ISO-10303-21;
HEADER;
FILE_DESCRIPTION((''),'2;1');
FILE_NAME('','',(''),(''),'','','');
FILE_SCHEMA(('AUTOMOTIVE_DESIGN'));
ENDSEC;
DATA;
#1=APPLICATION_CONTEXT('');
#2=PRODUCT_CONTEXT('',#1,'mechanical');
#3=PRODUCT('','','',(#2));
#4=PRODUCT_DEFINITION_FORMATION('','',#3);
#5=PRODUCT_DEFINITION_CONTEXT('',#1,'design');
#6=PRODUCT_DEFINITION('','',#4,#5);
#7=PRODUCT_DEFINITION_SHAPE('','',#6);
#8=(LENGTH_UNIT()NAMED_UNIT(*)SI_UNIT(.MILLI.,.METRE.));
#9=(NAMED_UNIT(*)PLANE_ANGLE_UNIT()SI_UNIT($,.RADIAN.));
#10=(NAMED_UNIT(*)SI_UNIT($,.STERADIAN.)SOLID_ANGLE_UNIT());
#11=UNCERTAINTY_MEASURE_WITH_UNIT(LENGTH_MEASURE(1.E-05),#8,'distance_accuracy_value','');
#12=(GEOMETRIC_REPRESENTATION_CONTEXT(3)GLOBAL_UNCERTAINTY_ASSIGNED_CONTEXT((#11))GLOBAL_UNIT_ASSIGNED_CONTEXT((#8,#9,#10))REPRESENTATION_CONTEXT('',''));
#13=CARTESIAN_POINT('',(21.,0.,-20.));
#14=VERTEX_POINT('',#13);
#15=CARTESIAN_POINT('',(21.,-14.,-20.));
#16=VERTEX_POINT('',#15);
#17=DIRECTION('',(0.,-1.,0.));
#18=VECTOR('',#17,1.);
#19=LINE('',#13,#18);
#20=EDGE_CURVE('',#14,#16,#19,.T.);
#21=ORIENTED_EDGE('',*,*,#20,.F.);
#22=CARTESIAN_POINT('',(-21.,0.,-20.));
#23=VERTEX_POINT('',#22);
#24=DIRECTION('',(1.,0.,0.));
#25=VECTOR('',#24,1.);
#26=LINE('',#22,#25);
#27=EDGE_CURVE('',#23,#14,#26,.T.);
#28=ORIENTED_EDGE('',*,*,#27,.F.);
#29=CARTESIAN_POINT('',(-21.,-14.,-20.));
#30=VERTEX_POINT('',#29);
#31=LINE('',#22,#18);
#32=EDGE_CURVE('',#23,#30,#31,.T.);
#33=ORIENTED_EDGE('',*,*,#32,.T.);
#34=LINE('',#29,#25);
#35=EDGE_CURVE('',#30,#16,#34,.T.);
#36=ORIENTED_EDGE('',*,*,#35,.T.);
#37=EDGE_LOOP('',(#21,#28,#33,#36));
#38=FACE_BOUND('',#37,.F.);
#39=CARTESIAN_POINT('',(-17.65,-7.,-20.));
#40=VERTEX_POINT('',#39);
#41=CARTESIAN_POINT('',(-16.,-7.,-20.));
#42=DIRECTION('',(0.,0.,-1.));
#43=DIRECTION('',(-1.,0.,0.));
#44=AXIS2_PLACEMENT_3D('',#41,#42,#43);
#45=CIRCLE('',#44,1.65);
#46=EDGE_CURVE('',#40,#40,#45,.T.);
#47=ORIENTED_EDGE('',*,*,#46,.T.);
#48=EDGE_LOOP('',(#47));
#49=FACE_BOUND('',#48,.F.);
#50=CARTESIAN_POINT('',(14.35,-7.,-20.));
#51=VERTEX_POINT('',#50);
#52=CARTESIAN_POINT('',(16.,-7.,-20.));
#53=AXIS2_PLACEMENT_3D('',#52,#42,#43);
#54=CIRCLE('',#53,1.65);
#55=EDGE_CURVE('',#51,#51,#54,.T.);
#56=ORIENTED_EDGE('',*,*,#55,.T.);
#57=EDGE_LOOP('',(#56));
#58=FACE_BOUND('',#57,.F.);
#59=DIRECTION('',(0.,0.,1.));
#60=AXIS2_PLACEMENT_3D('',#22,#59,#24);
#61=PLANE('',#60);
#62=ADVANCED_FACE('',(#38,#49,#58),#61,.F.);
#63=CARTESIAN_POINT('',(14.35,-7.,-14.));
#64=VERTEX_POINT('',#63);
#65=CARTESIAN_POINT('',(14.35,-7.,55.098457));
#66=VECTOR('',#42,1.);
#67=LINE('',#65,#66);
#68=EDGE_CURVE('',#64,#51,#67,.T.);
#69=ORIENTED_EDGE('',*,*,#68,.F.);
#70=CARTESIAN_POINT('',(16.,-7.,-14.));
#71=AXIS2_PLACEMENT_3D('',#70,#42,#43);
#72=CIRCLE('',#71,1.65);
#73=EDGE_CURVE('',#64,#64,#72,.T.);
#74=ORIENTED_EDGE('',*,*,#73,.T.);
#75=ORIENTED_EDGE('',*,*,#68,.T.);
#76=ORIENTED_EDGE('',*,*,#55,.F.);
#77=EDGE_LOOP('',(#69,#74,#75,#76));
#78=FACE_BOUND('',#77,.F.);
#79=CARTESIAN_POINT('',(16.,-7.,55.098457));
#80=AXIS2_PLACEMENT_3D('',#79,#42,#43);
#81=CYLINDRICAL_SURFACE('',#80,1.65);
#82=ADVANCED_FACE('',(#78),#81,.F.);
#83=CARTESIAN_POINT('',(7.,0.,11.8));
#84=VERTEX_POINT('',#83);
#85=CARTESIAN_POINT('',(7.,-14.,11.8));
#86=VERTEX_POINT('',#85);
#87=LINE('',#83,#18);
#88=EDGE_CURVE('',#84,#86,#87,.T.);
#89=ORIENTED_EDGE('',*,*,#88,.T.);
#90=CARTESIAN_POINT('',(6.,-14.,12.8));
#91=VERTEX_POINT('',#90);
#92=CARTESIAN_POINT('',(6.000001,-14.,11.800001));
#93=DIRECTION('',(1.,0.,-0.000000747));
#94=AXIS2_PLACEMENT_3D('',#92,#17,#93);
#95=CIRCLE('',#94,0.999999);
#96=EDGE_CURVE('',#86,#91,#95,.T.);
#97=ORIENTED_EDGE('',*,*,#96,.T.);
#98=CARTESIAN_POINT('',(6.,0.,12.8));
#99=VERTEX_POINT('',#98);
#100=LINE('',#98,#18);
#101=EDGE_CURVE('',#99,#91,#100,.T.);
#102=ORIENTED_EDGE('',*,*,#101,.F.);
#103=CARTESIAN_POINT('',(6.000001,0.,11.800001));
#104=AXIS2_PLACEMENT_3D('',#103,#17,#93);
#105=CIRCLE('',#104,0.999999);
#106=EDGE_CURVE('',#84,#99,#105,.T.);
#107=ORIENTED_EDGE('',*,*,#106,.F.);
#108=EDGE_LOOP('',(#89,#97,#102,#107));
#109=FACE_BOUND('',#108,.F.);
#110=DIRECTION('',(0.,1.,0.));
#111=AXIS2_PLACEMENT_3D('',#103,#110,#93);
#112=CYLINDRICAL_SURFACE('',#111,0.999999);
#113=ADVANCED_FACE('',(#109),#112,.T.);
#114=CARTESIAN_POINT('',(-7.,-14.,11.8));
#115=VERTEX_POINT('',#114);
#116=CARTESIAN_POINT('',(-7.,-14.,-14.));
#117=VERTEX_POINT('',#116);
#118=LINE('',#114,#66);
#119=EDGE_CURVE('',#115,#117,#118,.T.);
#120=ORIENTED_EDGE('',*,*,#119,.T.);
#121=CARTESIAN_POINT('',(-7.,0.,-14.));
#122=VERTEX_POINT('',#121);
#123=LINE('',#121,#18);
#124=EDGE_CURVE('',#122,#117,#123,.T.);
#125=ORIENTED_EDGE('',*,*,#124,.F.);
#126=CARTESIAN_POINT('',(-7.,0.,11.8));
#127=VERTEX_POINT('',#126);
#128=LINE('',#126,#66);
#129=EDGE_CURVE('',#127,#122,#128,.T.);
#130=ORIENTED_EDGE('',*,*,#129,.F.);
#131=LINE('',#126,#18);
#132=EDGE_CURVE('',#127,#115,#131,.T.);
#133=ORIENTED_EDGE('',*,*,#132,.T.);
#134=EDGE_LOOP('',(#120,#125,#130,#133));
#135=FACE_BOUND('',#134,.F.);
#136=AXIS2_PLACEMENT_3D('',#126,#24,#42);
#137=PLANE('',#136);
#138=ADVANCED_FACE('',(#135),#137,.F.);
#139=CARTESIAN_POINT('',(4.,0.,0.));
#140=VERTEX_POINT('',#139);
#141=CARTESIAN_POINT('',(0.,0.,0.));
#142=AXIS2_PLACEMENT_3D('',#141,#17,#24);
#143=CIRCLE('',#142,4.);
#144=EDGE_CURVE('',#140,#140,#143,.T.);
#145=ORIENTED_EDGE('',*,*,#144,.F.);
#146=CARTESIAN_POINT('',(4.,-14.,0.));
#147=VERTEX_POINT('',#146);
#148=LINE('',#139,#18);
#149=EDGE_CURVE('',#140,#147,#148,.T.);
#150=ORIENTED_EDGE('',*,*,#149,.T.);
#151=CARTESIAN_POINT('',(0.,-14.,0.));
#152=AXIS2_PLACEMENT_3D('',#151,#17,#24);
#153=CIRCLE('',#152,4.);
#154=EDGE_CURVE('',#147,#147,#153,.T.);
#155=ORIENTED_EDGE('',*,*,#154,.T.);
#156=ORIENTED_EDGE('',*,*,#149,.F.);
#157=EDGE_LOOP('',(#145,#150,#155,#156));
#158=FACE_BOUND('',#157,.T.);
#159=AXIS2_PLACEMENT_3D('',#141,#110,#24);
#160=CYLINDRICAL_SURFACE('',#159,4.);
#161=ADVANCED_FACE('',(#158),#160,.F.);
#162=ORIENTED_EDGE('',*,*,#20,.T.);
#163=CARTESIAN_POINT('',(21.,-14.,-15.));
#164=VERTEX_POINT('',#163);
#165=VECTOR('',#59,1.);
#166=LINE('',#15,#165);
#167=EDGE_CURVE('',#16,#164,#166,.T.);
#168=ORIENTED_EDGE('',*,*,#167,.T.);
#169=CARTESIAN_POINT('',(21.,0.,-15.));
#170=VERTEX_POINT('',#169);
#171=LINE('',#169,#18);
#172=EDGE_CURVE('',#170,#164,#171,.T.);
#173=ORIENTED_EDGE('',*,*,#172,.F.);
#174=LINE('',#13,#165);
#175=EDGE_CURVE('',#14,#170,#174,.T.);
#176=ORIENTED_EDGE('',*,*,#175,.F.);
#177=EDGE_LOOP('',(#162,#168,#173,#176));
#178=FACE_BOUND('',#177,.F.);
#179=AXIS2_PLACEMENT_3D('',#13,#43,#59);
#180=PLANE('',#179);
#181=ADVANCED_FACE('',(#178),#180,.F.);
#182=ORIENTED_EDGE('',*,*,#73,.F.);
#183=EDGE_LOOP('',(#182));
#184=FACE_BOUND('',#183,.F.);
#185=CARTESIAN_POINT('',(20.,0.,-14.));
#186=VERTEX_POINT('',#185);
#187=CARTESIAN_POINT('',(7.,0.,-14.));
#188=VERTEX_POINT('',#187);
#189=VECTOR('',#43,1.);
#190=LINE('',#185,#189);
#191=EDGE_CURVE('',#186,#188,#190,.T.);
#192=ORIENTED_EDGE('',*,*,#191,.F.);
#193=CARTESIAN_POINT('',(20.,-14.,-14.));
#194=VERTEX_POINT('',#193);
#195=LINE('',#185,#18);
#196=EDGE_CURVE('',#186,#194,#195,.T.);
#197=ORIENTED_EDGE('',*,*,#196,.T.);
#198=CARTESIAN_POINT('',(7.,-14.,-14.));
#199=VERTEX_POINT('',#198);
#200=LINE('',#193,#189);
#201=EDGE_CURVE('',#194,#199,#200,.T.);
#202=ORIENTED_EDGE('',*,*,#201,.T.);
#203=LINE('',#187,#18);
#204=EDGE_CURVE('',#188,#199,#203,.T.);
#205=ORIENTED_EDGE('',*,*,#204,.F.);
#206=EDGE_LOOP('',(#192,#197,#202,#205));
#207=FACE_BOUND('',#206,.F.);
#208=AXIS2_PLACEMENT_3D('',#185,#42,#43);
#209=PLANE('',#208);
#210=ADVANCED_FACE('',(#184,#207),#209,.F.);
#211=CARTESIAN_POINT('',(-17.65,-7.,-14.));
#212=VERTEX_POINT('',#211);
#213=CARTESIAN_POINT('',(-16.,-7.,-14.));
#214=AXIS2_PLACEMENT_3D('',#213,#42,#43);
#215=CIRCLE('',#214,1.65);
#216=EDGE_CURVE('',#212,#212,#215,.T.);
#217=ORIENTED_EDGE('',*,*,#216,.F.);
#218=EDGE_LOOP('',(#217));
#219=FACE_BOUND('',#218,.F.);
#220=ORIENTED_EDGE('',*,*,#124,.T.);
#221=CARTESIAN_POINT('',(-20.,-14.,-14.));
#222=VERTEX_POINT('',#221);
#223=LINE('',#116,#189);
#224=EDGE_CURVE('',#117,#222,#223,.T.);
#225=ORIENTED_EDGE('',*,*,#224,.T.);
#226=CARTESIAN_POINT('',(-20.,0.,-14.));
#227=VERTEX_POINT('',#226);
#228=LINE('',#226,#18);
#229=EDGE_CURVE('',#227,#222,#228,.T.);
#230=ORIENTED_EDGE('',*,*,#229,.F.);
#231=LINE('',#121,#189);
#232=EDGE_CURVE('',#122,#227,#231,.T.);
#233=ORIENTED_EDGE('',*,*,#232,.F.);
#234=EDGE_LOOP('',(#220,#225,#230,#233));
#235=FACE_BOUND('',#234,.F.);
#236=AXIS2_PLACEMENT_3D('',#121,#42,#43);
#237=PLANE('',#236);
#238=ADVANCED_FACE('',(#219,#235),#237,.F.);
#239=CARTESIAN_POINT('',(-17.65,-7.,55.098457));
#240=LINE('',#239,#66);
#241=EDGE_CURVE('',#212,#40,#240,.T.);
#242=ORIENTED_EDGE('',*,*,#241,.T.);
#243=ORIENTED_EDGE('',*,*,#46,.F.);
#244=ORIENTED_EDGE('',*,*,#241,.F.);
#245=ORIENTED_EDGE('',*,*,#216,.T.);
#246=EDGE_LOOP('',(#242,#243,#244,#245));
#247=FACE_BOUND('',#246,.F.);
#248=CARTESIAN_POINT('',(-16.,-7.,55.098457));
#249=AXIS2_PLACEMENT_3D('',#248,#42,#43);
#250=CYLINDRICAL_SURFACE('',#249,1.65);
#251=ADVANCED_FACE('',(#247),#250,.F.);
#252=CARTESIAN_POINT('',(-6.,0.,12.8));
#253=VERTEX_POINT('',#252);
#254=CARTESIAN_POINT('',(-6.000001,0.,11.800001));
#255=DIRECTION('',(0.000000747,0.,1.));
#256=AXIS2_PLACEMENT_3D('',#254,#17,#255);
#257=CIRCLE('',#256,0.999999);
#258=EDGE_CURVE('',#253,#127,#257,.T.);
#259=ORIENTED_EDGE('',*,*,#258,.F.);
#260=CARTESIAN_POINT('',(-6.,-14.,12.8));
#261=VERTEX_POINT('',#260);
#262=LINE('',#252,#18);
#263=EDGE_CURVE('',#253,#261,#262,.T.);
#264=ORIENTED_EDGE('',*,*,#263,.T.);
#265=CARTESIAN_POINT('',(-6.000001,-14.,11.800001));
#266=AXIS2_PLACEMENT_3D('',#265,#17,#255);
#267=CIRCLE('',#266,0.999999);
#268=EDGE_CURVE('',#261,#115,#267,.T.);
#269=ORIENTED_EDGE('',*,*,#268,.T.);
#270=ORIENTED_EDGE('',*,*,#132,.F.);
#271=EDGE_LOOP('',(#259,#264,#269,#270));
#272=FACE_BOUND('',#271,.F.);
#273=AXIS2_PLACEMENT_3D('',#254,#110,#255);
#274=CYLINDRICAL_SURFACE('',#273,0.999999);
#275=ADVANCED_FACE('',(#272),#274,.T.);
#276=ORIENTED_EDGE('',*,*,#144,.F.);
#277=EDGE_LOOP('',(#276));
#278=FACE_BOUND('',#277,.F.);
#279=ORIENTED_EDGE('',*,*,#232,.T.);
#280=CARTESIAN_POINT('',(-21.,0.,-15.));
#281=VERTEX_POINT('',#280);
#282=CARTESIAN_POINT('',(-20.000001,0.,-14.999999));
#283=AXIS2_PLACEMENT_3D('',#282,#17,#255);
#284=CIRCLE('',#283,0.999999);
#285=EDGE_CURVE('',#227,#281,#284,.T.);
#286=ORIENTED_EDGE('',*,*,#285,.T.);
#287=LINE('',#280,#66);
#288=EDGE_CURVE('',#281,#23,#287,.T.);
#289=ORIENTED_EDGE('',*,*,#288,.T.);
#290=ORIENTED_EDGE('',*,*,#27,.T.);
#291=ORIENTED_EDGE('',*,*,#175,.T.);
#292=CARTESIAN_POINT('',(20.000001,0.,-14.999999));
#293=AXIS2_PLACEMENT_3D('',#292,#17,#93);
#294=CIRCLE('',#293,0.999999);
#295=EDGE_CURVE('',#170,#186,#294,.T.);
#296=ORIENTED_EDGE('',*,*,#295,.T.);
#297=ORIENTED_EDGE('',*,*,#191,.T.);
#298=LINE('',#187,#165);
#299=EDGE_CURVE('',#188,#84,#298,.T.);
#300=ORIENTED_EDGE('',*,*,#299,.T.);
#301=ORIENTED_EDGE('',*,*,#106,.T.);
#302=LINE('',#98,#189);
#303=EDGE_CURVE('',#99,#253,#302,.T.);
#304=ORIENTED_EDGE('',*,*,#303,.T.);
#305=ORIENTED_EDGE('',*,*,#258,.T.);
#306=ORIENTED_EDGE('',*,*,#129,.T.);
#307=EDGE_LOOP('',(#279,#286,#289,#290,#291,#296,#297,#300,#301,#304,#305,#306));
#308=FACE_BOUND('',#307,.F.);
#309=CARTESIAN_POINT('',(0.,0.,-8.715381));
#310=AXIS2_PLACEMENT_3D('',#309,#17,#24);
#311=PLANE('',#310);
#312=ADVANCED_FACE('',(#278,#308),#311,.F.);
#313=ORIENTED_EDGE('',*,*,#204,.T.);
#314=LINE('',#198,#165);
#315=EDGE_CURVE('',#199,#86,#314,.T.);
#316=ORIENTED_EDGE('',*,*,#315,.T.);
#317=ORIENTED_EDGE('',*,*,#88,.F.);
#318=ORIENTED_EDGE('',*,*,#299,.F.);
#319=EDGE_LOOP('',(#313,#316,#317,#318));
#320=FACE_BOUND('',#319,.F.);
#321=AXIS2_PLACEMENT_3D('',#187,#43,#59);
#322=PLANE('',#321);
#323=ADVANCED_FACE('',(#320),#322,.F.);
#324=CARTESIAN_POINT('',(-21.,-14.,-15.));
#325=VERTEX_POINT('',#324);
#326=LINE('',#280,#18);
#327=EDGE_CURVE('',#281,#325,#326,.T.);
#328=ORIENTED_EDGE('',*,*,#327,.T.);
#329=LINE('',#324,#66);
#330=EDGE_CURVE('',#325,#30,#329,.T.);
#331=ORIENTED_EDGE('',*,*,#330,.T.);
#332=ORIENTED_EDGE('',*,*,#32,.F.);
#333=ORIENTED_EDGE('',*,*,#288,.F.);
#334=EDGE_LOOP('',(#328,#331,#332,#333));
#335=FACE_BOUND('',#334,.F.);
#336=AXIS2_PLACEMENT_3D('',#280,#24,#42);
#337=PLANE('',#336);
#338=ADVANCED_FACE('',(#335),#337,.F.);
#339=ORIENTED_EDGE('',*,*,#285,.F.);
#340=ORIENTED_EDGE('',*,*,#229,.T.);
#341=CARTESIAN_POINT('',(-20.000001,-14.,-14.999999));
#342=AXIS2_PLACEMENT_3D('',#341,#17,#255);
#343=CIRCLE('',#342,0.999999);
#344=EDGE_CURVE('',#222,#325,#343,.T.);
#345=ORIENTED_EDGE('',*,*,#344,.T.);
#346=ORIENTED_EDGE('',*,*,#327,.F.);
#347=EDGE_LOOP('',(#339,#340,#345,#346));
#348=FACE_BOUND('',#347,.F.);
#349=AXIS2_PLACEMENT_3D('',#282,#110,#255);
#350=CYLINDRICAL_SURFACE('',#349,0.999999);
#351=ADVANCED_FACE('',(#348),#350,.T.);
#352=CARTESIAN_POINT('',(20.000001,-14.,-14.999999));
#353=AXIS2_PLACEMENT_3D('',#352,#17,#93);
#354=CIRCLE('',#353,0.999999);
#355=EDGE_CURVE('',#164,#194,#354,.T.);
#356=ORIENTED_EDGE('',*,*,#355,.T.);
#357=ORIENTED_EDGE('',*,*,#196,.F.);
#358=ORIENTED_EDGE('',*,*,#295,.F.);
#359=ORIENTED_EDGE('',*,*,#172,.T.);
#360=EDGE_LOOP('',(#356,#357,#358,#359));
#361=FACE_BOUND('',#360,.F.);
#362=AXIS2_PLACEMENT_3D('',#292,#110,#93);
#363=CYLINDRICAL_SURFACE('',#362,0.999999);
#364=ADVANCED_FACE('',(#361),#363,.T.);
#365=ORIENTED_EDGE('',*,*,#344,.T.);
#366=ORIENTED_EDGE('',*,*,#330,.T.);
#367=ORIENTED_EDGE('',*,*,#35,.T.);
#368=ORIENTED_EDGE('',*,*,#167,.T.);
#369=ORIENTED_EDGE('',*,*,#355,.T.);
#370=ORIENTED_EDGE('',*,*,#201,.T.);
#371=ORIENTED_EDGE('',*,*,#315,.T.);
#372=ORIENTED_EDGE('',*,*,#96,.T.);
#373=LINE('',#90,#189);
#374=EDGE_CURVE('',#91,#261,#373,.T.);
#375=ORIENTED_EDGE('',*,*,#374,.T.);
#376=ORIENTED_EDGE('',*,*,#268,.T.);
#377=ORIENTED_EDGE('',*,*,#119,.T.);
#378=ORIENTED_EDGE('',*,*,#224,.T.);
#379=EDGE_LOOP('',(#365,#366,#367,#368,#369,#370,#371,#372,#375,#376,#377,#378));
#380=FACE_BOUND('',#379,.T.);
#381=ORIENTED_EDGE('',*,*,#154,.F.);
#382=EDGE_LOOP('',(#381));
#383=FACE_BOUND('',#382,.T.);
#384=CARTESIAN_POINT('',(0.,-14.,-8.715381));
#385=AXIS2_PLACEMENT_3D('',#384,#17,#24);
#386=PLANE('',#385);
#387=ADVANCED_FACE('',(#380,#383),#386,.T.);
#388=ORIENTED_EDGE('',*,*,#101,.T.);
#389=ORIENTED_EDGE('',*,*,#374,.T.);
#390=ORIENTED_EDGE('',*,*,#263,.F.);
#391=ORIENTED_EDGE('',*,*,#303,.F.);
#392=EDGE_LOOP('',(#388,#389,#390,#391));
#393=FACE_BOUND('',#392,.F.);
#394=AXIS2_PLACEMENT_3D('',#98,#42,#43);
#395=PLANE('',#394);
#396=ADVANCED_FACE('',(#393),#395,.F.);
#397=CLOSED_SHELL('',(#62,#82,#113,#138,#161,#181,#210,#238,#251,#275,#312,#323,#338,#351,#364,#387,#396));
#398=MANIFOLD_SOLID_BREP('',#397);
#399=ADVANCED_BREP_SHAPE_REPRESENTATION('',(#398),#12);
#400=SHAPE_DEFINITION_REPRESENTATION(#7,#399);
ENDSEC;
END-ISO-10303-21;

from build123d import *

# Parameters (mm, degrees)
F0_R     = 4
F1_DEPTH = 14
F3_D     = 3.3


with BuildPart() as f1:
    # F0 (on Front) → F1 (new body)
    with BuildSketch(Plane.XZ):
        with BuildLine():
            Line((20, -14), (7, -14))
            Line((7, -14), (7, 11.8))
            ThreePointArc((7, 11.8), (6.707107, 12.507107), (6, 12.8))
            Line((6, 12.8), (-6, 12.8))
            ThreePointArc((-6, 12.8), (-6.707107, 12.507107), (-7, 11.8))
            Line((-7, 11.8), (-7, -14))
            Line((-7, -14), (-20, -14))
            ThreePointArc((-20, -14), (-20.707107, -14.292893), (-21, -15))
            Line((-21, -15), (-21, -20))
            Line((-21, -20), (21, -20))
            Line((21, -20), (21, -15))
            ThreePointArc((21, -15), (20.707107, -14.292893), (20, -14))
        make_face()
        Circle(F0_R, mode=Mode.SUBTRACT)
    extrude(amount=F1_DEPTH)

    # F3 (through all)
    with Locations(Plane.XY):
        with Locations((-16, -7), (16, -7)):
            Hole(F3_D / 2)


solid = f1.part
